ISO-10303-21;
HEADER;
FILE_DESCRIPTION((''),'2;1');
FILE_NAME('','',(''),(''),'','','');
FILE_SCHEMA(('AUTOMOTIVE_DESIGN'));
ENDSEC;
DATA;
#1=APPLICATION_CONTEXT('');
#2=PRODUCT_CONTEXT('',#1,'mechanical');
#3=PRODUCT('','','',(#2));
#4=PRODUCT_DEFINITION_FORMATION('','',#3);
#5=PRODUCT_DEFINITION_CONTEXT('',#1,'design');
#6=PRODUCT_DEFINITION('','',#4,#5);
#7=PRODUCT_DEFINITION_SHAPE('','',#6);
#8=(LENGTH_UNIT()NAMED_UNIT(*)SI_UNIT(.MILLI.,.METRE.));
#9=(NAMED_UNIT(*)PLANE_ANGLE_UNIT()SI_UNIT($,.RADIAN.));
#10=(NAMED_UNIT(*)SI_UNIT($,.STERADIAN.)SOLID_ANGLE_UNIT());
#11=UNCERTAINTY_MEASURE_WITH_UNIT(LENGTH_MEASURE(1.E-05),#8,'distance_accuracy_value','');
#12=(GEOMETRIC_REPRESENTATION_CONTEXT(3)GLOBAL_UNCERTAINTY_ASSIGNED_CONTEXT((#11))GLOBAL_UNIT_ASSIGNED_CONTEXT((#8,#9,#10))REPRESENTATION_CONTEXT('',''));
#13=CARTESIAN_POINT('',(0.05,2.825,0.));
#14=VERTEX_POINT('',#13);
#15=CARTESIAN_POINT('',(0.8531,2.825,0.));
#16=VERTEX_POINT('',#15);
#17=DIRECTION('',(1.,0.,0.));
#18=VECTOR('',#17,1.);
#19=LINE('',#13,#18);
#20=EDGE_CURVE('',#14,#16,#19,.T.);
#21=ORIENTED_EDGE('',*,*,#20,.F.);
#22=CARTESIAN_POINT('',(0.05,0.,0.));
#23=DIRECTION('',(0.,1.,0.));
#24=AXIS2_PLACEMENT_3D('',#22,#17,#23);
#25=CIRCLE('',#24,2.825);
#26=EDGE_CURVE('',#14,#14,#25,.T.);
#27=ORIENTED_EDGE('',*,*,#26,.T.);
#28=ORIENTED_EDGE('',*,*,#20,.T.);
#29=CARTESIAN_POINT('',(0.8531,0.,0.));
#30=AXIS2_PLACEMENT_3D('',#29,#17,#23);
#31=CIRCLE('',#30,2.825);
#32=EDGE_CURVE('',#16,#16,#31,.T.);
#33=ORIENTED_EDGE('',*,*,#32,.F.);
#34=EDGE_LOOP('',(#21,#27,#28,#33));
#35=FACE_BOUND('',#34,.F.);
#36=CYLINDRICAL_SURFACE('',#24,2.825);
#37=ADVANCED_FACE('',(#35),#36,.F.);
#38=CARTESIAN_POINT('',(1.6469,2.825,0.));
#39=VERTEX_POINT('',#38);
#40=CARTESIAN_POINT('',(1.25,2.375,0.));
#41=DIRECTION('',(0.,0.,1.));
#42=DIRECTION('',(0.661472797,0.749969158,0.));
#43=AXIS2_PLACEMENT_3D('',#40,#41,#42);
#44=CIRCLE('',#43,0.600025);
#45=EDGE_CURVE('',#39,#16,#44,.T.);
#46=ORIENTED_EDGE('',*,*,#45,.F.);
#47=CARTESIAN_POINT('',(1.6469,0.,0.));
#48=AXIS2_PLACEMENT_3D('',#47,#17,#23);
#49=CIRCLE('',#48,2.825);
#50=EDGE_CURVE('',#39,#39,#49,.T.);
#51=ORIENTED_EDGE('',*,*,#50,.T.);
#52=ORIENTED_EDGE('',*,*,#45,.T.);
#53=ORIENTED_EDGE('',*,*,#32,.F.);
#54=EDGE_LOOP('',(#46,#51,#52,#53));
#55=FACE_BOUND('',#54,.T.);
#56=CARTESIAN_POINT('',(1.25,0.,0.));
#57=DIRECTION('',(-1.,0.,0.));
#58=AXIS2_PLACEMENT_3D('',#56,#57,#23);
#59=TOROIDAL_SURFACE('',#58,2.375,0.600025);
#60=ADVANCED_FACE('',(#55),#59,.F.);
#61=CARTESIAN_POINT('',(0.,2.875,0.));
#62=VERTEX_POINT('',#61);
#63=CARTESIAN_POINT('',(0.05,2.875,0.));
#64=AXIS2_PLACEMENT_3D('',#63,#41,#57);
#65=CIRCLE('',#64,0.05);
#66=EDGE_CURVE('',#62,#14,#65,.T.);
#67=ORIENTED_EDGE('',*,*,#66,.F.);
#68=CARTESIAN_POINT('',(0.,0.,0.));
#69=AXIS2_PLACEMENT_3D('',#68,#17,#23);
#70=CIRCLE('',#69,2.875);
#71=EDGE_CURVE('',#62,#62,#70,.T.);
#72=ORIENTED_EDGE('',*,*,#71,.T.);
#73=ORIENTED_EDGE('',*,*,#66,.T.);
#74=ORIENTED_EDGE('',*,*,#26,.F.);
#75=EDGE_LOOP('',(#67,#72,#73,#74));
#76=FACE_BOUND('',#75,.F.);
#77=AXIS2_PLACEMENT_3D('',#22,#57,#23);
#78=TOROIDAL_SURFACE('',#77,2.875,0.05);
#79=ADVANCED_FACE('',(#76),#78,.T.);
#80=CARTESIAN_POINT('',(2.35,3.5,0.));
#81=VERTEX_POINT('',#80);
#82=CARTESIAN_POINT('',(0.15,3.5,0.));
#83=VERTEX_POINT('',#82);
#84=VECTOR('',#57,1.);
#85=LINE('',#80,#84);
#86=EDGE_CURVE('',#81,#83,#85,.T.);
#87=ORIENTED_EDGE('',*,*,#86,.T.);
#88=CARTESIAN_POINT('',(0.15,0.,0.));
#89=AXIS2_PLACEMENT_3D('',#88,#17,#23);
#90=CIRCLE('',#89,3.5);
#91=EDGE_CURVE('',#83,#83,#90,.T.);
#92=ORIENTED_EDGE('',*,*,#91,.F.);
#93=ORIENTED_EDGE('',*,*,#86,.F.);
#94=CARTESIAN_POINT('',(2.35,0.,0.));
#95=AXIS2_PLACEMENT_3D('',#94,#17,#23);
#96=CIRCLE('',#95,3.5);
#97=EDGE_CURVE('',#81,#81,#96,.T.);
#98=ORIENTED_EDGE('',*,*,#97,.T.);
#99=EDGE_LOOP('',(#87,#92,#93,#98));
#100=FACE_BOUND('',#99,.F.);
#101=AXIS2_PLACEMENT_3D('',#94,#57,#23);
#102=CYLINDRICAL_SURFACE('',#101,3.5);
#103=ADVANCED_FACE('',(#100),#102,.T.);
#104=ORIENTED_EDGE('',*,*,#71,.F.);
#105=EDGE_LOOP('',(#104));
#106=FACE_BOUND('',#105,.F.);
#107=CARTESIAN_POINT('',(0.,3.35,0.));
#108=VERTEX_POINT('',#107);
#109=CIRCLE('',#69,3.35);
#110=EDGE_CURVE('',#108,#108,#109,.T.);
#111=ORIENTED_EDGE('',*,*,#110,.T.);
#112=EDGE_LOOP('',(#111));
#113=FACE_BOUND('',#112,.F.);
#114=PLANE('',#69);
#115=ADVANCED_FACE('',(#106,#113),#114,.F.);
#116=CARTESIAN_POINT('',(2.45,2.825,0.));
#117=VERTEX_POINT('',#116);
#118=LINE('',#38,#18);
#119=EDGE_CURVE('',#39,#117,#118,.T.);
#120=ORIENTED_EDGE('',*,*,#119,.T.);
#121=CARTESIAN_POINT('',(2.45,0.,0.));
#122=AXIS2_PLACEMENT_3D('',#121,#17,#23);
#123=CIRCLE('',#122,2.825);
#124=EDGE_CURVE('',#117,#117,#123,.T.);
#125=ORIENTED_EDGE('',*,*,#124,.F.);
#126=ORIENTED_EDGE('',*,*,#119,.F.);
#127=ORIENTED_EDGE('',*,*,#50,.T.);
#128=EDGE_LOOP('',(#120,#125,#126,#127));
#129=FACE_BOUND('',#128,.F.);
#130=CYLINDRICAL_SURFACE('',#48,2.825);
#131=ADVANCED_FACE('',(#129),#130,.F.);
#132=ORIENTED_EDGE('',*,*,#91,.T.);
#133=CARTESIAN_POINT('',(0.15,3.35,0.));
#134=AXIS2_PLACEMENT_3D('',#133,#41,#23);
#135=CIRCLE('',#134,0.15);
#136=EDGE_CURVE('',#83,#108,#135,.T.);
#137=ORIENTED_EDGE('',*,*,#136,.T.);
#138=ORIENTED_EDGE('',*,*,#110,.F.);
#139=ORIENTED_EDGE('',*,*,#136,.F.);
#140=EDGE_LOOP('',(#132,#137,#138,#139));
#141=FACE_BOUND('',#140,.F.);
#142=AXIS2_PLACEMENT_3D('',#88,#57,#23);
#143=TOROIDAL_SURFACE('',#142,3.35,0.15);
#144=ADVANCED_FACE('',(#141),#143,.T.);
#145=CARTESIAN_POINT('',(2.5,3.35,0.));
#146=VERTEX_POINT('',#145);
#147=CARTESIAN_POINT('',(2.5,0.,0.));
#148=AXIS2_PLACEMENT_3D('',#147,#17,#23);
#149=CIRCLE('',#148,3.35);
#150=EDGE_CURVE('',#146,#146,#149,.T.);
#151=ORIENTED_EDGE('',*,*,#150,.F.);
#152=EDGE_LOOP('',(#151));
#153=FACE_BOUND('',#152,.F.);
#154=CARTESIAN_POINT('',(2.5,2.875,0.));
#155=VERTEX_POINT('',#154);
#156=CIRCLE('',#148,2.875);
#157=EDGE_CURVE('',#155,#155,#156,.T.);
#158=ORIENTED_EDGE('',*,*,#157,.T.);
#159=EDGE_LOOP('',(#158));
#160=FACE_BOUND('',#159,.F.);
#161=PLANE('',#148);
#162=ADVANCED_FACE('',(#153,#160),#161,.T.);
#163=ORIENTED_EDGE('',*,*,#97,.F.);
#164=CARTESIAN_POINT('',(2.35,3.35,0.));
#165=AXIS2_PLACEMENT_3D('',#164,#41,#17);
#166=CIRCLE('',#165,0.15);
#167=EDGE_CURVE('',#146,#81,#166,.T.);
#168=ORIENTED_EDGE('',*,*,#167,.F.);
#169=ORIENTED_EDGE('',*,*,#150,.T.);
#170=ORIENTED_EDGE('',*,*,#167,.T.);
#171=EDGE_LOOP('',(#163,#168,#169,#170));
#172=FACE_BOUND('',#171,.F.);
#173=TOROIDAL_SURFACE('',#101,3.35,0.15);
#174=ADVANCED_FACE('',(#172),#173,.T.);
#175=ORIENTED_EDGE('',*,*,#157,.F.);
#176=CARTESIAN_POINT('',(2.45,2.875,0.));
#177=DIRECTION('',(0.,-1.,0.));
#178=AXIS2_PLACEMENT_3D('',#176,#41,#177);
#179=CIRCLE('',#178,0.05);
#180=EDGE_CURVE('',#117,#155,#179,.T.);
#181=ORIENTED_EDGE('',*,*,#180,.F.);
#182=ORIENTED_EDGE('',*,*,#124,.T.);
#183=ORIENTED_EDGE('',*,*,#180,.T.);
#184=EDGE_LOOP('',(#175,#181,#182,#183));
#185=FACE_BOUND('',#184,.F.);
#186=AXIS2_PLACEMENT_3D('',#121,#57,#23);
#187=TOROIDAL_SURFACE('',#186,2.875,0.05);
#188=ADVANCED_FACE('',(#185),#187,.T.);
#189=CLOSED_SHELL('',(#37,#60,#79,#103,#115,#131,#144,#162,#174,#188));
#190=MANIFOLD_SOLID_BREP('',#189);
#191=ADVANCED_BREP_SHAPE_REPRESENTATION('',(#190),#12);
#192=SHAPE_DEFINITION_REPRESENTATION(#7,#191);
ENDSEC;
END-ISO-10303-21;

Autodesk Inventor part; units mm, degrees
ref_plane "YZ Plane" through (0, 0, 0) normal (1, 0, 0) x (0, 1, 0)
ref_plane "XZ Plane" through (0, 0, 0) normal (0, 1, 0) x (-1, 0, 0)
ref_plane "XY Plane" through (0, 0, 0) normal (0, 0, 1) x (1, 0, 0)
sketch "Sketch_7" plane through (0, 0, 0) normal (0, 0, 1) x (1, 0, 0)
  line L0 (2.5, 0) -> (-2.5, 0)
  arc A0 (0, 2.875) -> (0.05, 2.825) centre (0.05, 2.875) ccw
  line L1 (0.05, 2.825) -> (0.8531, 2.825)
  arc A1 (1.6469, 2.825) -> (0.8531, 2.825) centre (1.25, 2.375) ccw
  line L2 (1.6469, 2.825) -> (2.45, 2.825)
  arc A2 (2.45, 2.825) -> (2.5, 2.875) centre (2.45, 2.875) ccw
  line L3 (2.5, 2.875) -> (2.5, 3.35)
  arc A3 (2.5, 3.35) -> (2.35, 3.5) centre (2.35, 3.35) ccw
  line L4 (2.35, 3.5) -> (0.15, 3.5)
  arc A4 (0.15, 3.5) -> (0, 3.35) centre (0.15, 3.35) ccw
  line L5 (0, 3.35) -> (0, 2.875)
revolve "Revolution1" add sketch "Sketch_7" angle 360 about axis through (2.5, 0, 0) along (1, 0, 0)
properties part number "W 619/2.5 R_PART2"
